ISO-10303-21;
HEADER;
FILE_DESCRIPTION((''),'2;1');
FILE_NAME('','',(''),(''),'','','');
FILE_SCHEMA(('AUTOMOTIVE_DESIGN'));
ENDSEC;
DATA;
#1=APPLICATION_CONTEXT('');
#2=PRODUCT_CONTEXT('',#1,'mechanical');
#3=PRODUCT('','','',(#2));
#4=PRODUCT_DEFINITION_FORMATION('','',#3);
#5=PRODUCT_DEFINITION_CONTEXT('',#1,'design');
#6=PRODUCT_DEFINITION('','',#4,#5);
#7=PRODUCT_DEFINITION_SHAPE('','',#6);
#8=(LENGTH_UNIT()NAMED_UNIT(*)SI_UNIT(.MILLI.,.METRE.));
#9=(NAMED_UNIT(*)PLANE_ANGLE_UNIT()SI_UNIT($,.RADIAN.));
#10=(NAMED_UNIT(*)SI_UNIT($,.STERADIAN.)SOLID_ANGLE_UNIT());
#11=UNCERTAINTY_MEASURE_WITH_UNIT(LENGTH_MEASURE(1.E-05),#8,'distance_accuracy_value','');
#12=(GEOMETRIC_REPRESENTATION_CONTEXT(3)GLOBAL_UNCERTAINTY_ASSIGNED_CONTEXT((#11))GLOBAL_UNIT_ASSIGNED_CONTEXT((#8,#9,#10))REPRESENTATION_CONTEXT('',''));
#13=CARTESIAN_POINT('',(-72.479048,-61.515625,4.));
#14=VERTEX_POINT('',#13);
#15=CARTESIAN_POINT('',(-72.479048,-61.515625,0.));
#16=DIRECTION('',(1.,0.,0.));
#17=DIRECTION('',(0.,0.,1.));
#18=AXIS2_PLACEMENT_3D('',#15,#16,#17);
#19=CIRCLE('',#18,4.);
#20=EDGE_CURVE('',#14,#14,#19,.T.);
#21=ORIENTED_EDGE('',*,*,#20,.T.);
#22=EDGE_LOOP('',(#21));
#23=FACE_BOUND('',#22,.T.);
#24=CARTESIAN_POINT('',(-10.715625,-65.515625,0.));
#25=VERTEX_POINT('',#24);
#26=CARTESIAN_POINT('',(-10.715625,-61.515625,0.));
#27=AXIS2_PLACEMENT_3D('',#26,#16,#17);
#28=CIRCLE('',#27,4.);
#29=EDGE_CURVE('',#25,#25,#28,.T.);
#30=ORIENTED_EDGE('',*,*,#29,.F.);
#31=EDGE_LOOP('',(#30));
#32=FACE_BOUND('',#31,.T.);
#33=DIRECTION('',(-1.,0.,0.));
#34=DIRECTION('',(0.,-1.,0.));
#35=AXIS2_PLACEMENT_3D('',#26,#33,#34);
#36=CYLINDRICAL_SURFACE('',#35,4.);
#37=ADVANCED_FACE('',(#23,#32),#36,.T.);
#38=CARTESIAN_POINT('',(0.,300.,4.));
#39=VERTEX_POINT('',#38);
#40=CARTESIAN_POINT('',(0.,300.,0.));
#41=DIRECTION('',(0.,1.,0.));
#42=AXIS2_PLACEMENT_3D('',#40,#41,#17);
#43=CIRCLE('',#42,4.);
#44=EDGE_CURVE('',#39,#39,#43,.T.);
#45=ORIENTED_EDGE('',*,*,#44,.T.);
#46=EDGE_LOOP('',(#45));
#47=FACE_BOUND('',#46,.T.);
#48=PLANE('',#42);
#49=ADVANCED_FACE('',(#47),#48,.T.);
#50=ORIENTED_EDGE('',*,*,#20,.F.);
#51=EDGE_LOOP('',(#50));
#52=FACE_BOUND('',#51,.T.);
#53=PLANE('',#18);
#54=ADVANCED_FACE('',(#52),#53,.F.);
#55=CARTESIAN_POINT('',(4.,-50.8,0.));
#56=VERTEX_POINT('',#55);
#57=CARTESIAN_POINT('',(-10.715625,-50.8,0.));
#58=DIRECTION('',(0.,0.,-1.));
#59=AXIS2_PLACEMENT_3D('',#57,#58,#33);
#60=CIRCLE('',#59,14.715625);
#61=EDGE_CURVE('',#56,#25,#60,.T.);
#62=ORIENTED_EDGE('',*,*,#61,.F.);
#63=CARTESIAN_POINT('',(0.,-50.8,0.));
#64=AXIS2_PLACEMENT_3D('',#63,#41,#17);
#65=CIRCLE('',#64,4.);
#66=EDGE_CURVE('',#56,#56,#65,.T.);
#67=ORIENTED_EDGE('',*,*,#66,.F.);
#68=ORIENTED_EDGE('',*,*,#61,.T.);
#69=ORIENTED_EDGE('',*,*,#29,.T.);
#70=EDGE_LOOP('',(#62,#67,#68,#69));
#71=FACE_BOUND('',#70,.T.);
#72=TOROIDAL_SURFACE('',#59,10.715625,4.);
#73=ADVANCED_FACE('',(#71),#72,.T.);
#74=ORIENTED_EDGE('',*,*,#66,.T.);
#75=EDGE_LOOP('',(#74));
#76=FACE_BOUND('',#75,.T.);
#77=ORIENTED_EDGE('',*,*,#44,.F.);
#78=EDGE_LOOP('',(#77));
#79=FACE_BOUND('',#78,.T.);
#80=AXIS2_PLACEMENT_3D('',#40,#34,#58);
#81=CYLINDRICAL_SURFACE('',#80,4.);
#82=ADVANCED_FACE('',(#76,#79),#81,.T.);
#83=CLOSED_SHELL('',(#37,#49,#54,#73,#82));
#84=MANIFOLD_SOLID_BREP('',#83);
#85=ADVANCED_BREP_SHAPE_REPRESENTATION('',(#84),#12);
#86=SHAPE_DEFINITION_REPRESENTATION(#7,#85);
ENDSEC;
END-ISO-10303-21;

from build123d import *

# Parameters (mm, degrees)
SKETCH2_R = 4


with BuildPart() as part:
    # Sweep1: sweep along a path in Sketch1
    with BuildLine(Plane.XY) as sweep1_path:
        Line((0, 300), (0, -50.8))
        ThreePointArc((0, -50.8), (-3.138534005, -58.377091361), (-10.715625366, -61.515625366))
        Line((-10.715625366, -61.515625366), (-72.479048414, -61.515625366))
    # Sketch2 → Sweep1 (sweep)
    with BuildSketch(Plane(origin=(0, 300, 0), x_dir=(1, 0, 0), z_dir=(0, 1, 0))):
        Circle(SKETCH2_R)
    sweep(path=sweep1_path.line)


solid = part.part
